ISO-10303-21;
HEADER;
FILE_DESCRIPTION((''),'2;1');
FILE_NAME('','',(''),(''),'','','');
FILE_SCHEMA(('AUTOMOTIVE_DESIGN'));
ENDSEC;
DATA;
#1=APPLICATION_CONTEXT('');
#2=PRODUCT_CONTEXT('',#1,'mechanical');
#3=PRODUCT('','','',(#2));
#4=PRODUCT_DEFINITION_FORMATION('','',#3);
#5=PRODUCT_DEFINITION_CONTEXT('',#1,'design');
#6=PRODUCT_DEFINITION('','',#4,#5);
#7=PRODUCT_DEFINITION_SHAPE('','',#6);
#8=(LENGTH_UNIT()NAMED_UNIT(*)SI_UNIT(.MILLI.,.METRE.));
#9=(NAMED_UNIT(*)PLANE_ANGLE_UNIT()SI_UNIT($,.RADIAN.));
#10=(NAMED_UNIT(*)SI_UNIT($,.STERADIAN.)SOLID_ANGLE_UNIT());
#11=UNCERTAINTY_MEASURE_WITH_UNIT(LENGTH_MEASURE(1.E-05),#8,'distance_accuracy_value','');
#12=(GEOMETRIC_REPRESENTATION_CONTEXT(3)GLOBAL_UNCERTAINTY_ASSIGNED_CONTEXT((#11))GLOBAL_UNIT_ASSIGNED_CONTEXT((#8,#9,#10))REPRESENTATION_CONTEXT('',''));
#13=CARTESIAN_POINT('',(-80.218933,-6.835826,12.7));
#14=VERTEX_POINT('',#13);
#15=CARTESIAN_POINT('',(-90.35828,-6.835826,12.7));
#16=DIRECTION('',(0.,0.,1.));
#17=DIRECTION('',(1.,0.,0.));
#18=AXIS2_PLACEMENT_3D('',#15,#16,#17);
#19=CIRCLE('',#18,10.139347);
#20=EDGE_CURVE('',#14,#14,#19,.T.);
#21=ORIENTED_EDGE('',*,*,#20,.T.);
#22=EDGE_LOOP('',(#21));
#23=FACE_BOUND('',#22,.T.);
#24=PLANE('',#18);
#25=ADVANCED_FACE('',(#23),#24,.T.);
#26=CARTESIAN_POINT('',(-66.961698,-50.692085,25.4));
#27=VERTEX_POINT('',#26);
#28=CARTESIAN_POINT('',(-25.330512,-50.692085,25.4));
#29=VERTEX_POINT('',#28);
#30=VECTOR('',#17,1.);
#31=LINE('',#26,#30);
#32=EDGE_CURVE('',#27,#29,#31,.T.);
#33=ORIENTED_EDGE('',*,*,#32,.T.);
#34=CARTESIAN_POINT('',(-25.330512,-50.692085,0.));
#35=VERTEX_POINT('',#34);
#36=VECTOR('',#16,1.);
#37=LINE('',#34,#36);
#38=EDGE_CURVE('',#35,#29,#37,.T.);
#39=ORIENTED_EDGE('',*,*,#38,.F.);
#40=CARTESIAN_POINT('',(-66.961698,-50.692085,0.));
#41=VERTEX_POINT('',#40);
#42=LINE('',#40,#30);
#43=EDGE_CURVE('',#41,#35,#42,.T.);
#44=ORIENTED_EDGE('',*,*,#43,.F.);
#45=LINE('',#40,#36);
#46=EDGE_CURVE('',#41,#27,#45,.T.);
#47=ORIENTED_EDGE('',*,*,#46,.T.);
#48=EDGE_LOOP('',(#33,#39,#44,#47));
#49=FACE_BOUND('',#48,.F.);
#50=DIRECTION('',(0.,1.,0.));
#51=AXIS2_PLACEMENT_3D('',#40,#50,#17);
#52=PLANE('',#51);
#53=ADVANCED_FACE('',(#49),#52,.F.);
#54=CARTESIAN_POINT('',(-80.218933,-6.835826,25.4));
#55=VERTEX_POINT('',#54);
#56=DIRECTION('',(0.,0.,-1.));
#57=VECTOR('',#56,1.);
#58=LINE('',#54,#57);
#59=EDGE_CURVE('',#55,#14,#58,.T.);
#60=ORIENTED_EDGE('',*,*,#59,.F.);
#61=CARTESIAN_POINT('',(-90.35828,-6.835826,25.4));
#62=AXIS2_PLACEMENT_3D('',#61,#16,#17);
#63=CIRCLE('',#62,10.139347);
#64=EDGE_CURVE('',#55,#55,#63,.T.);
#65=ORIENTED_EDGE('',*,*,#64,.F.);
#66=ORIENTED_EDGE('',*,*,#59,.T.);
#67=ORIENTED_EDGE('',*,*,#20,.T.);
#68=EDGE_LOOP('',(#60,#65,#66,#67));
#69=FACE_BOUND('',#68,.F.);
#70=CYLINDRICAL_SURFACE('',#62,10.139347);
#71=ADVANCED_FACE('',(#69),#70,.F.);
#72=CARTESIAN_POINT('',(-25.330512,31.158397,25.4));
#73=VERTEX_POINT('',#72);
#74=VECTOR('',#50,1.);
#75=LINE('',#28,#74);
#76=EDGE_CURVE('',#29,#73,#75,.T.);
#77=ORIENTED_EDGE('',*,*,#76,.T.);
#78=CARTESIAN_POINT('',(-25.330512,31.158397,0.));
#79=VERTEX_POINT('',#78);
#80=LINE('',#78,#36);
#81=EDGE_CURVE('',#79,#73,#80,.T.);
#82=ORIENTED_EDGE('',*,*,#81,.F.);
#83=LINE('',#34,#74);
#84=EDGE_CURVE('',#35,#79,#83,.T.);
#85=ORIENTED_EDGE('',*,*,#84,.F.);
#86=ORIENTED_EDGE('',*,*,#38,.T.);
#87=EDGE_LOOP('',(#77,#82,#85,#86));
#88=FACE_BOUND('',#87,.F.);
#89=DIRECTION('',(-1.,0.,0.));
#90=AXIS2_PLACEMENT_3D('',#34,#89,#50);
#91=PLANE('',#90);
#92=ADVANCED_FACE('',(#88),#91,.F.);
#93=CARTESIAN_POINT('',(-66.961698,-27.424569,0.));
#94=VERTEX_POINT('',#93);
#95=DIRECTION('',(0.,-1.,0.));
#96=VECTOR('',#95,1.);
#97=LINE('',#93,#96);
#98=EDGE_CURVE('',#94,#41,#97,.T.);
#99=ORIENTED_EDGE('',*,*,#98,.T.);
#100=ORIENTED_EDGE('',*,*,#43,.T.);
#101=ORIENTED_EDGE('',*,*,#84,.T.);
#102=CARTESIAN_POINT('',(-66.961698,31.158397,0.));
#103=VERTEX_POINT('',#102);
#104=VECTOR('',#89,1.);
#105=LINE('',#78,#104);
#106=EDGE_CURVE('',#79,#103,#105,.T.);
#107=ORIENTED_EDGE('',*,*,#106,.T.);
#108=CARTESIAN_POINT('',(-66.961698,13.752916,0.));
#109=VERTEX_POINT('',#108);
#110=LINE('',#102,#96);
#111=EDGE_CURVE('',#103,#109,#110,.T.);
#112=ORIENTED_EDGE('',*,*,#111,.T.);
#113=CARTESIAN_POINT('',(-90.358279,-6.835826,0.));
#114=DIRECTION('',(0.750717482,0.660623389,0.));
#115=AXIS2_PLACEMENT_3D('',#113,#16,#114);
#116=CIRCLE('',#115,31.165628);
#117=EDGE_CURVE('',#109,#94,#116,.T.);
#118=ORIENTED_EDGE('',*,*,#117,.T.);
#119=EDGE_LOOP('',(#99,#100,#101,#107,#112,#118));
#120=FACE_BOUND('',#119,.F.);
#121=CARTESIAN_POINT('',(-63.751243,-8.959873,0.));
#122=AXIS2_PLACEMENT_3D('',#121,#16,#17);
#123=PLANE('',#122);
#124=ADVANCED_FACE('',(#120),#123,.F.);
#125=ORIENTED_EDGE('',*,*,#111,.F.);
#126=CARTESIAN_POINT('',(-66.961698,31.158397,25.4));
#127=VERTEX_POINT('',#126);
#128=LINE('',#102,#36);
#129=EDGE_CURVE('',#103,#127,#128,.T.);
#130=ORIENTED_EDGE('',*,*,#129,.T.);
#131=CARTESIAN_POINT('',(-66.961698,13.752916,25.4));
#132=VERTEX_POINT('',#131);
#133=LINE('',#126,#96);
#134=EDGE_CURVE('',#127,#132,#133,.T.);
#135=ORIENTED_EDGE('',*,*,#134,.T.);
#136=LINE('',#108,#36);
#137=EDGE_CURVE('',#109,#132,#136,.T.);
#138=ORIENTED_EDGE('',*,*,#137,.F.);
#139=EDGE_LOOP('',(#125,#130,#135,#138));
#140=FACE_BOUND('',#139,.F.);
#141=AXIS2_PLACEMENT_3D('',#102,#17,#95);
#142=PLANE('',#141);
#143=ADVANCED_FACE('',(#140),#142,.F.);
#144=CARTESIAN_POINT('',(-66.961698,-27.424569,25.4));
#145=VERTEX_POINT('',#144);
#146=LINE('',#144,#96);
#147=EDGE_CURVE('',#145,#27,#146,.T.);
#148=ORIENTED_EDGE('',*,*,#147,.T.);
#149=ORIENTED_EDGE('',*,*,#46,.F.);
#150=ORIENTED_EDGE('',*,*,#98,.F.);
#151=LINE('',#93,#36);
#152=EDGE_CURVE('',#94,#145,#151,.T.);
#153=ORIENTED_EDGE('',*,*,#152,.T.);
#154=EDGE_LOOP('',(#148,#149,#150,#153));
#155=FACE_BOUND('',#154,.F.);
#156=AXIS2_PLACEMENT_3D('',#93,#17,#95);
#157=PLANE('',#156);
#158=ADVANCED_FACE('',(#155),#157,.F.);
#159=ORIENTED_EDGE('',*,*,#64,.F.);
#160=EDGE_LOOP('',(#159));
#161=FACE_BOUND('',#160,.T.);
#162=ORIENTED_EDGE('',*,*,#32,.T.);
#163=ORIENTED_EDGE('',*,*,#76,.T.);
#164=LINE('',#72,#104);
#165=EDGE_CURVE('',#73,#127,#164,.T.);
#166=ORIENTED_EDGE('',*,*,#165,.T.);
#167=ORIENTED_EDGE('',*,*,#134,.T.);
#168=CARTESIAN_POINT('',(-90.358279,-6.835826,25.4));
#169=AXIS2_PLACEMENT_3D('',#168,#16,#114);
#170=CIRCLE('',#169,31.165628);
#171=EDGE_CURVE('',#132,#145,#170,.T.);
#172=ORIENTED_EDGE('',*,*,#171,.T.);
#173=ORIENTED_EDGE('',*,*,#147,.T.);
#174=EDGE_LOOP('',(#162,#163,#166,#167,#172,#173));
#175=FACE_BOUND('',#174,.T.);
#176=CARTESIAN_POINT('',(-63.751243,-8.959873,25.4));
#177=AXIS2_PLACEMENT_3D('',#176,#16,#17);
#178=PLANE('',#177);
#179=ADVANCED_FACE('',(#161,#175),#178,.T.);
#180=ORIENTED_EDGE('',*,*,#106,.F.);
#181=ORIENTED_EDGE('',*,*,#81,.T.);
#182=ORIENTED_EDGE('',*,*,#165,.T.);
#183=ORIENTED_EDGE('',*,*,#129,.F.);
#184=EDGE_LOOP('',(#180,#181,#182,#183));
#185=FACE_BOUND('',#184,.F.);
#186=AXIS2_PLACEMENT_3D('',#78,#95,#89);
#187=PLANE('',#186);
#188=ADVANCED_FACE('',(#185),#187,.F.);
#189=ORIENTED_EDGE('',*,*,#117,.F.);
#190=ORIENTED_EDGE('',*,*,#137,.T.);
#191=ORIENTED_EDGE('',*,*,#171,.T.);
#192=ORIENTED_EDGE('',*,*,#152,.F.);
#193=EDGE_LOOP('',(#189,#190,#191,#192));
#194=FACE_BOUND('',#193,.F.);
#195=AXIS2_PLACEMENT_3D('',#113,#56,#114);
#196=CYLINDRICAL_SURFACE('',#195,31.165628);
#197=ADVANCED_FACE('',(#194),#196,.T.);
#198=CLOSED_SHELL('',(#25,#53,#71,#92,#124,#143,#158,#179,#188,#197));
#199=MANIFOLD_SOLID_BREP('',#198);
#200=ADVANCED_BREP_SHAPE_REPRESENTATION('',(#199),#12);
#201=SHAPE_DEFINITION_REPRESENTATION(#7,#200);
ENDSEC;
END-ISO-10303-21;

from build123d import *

# Parameters (mm, degrees)
F1_DEPTH = 25.4
F2_R     = 10.139347
F3_DEPTH = 12.7


with BuildPart() as f1:
    # F0 (on Top) → F1 (new body)
    with BuildSketch(Plane.XY):
        with BuildLine():
            Line((-66.961698, 31.158397), (-66.961698, 13.752916))
            ThreePointArc((-66.961698, 13.752916), (-121.523907, -6.835826), (-66.961698, -27.424569))
            Line((-66.961698, -27.424569), (-66.961698, -50.692085))
            Line((-66.961698, -50.692085), (-25.330512, -50.692085))
            Line((-25.330512, -50.692085), (-25.330512, 31.158397))
            Line((-25.330512, 31.158397), (-66.961698, 31.158397))
        make_face()
    extrude(amount=F1_DEPTH)

    # F2 (on face) → F3 (cut)
    with BuildSketch(Plane.XY.offset(25.4)):
        with Locations((-90.35828, -6.835826)):
            Circle(F2_R)
    extrude(amount=-F3_DEPTH, mode=Mode.SUBTRACT)


solid = f1.part
